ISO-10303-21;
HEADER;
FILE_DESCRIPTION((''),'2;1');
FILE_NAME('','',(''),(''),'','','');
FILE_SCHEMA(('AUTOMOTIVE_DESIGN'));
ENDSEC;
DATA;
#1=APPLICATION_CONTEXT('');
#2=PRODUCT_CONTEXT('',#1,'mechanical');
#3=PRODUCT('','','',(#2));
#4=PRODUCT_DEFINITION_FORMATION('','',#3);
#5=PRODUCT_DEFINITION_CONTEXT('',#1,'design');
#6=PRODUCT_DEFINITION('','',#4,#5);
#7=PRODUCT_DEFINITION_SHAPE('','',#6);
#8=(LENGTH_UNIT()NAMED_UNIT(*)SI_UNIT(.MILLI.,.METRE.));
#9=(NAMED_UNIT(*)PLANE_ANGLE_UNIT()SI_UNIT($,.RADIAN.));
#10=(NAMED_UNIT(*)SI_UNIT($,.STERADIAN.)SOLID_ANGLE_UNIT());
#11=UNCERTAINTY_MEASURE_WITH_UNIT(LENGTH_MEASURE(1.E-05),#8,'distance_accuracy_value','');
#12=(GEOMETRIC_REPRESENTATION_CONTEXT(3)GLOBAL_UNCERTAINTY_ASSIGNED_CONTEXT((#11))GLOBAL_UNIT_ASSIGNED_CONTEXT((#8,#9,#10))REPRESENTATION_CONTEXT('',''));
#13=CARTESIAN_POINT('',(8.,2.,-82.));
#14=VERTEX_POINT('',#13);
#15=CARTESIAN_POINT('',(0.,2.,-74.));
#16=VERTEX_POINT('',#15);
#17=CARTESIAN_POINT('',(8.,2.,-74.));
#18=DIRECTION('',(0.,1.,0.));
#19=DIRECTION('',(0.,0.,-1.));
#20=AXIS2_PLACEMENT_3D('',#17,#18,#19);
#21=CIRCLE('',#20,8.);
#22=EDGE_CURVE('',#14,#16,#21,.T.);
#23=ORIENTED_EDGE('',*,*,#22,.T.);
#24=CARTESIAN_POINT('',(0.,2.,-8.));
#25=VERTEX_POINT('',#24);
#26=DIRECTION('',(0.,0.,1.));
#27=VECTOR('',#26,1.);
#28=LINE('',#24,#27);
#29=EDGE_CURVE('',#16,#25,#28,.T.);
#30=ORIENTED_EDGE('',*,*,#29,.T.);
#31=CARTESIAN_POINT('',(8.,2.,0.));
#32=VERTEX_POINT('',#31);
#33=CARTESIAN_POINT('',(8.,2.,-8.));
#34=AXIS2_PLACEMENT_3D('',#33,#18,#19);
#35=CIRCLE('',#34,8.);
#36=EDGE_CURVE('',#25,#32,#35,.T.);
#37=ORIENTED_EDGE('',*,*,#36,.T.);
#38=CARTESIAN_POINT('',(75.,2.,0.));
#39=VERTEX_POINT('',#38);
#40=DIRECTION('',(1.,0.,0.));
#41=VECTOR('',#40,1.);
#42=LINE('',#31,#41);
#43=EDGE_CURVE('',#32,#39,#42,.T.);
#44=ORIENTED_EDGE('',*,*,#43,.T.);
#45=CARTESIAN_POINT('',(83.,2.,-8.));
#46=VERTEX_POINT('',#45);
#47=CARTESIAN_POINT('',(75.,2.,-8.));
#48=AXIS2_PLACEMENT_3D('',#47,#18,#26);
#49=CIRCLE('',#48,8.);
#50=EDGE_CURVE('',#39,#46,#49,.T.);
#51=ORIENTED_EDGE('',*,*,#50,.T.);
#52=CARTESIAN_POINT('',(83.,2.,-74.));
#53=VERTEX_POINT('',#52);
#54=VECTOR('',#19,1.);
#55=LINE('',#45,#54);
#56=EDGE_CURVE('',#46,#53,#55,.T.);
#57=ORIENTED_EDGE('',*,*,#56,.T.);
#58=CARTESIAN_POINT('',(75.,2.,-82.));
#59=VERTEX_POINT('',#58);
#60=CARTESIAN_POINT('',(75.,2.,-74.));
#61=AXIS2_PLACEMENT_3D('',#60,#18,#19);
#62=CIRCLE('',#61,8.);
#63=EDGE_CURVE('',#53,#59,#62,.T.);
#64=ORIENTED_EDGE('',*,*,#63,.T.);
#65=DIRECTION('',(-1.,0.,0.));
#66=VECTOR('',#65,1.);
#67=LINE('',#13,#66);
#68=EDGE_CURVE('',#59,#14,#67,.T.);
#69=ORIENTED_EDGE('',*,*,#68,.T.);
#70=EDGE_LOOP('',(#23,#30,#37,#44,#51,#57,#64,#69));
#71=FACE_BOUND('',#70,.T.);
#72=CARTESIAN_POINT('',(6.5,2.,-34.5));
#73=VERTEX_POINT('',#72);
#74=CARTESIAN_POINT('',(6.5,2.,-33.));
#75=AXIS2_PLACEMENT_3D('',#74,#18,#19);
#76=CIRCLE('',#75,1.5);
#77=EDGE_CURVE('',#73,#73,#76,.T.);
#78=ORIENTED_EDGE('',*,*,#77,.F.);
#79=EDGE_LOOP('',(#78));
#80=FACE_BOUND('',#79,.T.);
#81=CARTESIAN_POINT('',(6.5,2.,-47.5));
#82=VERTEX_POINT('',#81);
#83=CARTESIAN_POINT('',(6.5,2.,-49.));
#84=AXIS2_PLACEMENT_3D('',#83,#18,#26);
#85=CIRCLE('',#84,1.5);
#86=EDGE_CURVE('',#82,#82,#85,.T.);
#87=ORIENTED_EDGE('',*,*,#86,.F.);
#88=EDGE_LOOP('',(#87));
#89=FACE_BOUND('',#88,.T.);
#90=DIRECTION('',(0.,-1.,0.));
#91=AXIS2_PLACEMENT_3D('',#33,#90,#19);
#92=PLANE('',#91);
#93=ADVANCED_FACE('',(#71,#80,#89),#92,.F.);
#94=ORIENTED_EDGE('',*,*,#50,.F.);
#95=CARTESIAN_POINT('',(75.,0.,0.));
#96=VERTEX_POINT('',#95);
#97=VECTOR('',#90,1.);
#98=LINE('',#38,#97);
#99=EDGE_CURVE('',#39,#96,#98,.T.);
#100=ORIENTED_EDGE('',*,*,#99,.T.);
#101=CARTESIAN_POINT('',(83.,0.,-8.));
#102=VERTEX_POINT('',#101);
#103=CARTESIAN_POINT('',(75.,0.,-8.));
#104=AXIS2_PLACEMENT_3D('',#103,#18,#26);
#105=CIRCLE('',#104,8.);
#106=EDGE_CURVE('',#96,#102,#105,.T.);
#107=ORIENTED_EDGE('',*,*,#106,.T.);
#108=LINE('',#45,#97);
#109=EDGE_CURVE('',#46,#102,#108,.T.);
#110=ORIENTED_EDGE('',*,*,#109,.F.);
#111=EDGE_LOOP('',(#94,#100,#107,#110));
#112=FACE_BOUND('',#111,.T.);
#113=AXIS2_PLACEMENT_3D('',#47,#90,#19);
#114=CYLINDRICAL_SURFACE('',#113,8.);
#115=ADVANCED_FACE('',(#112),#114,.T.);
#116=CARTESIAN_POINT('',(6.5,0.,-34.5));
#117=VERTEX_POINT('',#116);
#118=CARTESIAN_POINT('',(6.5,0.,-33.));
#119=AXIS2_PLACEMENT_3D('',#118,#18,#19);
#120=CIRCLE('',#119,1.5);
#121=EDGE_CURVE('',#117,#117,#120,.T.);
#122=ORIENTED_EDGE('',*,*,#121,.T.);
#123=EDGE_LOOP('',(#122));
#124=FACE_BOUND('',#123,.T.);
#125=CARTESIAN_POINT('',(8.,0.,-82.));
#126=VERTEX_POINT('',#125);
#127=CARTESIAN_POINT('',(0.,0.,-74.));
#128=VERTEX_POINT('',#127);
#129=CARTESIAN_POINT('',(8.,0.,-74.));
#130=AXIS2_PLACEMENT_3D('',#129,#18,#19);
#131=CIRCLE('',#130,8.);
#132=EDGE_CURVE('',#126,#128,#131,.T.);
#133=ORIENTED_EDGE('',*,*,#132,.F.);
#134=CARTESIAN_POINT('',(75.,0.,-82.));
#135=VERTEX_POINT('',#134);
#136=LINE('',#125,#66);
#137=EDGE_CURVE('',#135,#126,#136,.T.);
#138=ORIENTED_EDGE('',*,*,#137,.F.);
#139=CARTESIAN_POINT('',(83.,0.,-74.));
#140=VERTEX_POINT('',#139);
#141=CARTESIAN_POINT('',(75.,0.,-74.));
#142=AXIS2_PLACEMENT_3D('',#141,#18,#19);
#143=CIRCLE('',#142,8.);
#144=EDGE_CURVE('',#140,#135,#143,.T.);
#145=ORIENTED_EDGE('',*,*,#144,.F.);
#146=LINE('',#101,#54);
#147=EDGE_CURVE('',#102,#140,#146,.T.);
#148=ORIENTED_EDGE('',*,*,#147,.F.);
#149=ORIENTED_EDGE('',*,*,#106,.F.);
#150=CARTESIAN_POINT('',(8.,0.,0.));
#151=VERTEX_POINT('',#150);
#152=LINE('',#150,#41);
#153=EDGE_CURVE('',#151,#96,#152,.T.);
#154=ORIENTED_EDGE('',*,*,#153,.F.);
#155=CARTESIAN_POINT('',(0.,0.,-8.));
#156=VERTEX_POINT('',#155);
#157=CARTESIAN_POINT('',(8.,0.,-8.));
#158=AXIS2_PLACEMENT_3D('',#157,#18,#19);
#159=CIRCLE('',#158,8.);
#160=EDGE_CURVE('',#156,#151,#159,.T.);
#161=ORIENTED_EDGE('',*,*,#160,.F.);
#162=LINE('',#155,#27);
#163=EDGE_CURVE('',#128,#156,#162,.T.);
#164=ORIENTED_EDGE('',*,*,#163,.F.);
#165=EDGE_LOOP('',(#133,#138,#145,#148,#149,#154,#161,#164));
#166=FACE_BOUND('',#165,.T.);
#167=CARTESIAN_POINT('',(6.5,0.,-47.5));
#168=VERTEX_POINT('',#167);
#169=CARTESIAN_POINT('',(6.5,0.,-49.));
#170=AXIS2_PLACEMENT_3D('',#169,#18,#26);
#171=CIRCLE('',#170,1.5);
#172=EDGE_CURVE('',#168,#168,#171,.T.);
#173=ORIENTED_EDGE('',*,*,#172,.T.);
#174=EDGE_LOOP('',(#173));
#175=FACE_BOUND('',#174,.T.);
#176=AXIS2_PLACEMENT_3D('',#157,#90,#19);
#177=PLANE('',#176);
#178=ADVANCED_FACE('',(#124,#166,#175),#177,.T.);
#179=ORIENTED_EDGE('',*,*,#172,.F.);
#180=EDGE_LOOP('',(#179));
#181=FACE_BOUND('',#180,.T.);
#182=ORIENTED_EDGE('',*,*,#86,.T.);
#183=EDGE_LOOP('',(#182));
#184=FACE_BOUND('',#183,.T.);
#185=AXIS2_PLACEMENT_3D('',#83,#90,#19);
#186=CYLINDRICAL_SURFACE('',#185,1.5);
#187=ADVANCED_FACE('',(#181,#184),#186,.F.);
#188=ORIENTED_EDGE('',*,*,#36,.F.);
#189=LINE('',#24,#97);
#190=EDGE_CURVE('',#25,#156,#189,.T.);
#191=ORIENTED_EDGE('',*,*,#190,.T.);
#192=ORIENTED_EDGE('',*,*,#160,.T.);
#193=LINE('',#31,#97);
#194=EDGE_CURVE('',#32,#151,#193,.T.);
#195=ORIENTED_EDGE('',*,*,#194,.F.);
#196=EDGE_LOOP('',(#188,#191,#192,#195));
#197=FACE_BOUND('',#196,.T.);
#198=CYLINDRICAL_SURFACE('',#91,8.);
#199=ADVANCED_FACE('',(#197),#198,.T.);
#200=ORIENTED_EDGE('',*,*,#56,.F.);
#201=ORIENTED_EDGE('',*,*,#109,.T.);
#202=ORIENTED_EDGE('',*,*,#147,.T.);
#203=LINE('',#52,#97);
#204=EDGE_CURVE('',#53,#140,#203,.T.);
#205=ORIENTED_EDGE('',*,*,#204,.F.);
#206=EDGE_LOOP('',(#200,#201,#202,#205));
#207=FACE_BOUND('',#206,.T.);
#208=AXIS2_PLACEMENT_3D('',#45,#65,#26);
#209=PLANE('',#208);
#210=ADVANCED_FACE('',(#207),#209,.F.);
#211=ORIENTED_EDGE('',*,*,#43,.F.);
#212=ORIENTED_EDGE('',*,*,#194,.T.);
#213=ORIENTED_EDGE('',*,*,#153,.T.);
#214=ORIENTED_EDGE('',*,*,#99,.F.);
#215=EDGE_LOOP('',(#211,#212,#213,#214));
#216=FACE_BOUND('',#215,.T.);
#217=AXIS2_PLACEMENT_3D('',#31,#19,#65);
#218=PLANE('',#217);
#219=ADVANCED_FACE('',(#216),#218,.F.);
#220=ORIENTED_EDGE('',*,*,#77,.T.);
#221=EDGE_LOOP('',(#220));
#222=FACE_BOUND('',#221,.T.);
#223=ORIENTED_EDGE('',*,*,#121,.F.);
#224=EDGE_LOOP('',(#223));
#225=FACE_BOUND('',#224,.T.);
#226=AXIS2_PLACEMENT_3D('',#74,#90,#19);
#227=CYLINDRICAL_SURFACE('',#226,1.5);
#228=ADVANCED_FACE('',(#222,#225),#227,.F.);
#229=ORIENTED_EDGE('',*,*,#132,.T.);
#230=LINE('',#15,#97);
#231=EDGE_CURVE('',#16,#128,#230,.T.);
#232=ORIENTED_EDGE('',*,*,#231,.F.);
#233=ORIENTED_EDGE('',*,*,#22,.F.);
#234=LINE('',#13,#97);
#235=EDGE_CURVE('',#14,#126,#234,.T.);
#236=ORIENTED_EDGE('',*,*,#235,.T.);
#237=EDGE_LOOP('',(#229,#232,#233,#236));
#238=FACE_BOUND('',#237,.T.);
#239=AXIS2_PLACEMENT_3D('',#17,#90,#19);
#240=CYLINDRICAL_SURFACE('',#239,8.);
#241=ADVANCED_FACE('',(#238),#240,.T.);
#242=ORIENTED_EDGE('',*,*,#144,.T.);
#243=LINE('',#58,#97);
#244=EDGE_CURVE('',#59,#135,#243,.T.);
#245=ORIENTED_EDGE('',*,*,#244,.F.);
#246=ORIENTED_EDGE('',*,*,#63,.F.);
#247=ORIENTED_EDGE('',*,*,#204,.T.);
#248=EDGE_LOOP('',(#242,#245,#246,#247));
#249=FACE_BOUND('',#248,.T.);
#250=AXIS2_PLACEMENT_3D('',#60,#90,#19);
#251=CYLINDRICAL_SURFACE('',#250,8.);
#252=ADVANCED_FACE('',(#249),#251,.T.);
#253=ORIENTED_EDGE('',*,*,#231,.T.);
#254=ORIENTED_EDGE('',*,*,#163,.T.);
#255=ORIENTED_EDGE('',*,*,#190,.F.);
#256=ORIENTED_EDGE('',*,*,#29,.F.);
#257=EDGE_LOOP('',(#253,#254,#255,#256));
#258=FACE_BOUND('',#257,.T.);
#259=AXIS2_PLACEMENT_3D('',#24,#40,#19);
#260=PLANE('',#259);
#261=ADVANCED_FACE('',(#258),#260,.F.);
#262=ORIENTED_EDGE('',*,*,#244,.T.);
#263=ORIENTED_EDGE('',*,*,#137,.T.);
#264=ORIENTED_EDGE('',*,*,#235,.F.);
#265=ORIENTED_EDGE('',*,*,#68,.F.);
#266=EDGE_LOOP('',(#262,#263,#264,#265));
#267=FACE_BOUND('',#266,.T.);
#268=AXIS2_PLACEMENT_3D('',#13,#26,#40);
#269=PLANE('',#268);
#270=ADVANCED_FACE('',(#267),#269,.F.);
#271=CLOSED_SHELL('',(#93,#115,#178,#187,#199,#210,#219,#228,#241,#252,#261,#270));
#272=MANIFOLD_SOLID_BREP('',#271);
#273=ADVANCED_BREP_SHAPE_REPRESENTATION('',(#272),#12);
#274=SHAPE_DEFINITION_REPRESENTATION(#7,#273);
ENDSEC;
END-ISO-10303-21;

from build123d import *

# Parameters (mm, degrees)
SKETCH1_R           = 1.5
BOSS_EXTRUDE1_DEPTH = 2


with BuildPart() as part:
    # Sketch1 → Boss-Extrude1 (new body)
    with BuildSketch(Plane(origin=(0, 0, 0), x_dir=(1, 0, 0), z_dir=(0, 1, 0))):
        with BuildLine():
            Line((8, 0), (75, 0))
            ThreePointArc((75, 0), (80.656854249, 2.343145751), (83, 8))
            Line((83, 8), (83, 74))
            ThreePointArc((83, 74), (80.656854249, 79.656854249), (75, 82))
            Line((75, 82), (8, 82))
            ThreePointArc((8, 82), (2.343145751, 79.656854249), (0, 74))
            Line((0, 74), (0, 8))
            ThreePointArc((0, 8), (2.343145751, 2.343145751), (8, 0))
        make_face()
        with Locations(Location((6.5, 49, 0), (0, 0, 270))):
            Circle(SKETCH1_R, mode=Mode.SUBTRACT)
        with Locations(Location((6.5, 33, 0), (0, 0, 90))):
            Circle(SKETCH1_R, mode=Mode.SUBTRACT)
    extrude(amount=BOSS_EXTRUDE1_DEPTH)


solid = part.part
